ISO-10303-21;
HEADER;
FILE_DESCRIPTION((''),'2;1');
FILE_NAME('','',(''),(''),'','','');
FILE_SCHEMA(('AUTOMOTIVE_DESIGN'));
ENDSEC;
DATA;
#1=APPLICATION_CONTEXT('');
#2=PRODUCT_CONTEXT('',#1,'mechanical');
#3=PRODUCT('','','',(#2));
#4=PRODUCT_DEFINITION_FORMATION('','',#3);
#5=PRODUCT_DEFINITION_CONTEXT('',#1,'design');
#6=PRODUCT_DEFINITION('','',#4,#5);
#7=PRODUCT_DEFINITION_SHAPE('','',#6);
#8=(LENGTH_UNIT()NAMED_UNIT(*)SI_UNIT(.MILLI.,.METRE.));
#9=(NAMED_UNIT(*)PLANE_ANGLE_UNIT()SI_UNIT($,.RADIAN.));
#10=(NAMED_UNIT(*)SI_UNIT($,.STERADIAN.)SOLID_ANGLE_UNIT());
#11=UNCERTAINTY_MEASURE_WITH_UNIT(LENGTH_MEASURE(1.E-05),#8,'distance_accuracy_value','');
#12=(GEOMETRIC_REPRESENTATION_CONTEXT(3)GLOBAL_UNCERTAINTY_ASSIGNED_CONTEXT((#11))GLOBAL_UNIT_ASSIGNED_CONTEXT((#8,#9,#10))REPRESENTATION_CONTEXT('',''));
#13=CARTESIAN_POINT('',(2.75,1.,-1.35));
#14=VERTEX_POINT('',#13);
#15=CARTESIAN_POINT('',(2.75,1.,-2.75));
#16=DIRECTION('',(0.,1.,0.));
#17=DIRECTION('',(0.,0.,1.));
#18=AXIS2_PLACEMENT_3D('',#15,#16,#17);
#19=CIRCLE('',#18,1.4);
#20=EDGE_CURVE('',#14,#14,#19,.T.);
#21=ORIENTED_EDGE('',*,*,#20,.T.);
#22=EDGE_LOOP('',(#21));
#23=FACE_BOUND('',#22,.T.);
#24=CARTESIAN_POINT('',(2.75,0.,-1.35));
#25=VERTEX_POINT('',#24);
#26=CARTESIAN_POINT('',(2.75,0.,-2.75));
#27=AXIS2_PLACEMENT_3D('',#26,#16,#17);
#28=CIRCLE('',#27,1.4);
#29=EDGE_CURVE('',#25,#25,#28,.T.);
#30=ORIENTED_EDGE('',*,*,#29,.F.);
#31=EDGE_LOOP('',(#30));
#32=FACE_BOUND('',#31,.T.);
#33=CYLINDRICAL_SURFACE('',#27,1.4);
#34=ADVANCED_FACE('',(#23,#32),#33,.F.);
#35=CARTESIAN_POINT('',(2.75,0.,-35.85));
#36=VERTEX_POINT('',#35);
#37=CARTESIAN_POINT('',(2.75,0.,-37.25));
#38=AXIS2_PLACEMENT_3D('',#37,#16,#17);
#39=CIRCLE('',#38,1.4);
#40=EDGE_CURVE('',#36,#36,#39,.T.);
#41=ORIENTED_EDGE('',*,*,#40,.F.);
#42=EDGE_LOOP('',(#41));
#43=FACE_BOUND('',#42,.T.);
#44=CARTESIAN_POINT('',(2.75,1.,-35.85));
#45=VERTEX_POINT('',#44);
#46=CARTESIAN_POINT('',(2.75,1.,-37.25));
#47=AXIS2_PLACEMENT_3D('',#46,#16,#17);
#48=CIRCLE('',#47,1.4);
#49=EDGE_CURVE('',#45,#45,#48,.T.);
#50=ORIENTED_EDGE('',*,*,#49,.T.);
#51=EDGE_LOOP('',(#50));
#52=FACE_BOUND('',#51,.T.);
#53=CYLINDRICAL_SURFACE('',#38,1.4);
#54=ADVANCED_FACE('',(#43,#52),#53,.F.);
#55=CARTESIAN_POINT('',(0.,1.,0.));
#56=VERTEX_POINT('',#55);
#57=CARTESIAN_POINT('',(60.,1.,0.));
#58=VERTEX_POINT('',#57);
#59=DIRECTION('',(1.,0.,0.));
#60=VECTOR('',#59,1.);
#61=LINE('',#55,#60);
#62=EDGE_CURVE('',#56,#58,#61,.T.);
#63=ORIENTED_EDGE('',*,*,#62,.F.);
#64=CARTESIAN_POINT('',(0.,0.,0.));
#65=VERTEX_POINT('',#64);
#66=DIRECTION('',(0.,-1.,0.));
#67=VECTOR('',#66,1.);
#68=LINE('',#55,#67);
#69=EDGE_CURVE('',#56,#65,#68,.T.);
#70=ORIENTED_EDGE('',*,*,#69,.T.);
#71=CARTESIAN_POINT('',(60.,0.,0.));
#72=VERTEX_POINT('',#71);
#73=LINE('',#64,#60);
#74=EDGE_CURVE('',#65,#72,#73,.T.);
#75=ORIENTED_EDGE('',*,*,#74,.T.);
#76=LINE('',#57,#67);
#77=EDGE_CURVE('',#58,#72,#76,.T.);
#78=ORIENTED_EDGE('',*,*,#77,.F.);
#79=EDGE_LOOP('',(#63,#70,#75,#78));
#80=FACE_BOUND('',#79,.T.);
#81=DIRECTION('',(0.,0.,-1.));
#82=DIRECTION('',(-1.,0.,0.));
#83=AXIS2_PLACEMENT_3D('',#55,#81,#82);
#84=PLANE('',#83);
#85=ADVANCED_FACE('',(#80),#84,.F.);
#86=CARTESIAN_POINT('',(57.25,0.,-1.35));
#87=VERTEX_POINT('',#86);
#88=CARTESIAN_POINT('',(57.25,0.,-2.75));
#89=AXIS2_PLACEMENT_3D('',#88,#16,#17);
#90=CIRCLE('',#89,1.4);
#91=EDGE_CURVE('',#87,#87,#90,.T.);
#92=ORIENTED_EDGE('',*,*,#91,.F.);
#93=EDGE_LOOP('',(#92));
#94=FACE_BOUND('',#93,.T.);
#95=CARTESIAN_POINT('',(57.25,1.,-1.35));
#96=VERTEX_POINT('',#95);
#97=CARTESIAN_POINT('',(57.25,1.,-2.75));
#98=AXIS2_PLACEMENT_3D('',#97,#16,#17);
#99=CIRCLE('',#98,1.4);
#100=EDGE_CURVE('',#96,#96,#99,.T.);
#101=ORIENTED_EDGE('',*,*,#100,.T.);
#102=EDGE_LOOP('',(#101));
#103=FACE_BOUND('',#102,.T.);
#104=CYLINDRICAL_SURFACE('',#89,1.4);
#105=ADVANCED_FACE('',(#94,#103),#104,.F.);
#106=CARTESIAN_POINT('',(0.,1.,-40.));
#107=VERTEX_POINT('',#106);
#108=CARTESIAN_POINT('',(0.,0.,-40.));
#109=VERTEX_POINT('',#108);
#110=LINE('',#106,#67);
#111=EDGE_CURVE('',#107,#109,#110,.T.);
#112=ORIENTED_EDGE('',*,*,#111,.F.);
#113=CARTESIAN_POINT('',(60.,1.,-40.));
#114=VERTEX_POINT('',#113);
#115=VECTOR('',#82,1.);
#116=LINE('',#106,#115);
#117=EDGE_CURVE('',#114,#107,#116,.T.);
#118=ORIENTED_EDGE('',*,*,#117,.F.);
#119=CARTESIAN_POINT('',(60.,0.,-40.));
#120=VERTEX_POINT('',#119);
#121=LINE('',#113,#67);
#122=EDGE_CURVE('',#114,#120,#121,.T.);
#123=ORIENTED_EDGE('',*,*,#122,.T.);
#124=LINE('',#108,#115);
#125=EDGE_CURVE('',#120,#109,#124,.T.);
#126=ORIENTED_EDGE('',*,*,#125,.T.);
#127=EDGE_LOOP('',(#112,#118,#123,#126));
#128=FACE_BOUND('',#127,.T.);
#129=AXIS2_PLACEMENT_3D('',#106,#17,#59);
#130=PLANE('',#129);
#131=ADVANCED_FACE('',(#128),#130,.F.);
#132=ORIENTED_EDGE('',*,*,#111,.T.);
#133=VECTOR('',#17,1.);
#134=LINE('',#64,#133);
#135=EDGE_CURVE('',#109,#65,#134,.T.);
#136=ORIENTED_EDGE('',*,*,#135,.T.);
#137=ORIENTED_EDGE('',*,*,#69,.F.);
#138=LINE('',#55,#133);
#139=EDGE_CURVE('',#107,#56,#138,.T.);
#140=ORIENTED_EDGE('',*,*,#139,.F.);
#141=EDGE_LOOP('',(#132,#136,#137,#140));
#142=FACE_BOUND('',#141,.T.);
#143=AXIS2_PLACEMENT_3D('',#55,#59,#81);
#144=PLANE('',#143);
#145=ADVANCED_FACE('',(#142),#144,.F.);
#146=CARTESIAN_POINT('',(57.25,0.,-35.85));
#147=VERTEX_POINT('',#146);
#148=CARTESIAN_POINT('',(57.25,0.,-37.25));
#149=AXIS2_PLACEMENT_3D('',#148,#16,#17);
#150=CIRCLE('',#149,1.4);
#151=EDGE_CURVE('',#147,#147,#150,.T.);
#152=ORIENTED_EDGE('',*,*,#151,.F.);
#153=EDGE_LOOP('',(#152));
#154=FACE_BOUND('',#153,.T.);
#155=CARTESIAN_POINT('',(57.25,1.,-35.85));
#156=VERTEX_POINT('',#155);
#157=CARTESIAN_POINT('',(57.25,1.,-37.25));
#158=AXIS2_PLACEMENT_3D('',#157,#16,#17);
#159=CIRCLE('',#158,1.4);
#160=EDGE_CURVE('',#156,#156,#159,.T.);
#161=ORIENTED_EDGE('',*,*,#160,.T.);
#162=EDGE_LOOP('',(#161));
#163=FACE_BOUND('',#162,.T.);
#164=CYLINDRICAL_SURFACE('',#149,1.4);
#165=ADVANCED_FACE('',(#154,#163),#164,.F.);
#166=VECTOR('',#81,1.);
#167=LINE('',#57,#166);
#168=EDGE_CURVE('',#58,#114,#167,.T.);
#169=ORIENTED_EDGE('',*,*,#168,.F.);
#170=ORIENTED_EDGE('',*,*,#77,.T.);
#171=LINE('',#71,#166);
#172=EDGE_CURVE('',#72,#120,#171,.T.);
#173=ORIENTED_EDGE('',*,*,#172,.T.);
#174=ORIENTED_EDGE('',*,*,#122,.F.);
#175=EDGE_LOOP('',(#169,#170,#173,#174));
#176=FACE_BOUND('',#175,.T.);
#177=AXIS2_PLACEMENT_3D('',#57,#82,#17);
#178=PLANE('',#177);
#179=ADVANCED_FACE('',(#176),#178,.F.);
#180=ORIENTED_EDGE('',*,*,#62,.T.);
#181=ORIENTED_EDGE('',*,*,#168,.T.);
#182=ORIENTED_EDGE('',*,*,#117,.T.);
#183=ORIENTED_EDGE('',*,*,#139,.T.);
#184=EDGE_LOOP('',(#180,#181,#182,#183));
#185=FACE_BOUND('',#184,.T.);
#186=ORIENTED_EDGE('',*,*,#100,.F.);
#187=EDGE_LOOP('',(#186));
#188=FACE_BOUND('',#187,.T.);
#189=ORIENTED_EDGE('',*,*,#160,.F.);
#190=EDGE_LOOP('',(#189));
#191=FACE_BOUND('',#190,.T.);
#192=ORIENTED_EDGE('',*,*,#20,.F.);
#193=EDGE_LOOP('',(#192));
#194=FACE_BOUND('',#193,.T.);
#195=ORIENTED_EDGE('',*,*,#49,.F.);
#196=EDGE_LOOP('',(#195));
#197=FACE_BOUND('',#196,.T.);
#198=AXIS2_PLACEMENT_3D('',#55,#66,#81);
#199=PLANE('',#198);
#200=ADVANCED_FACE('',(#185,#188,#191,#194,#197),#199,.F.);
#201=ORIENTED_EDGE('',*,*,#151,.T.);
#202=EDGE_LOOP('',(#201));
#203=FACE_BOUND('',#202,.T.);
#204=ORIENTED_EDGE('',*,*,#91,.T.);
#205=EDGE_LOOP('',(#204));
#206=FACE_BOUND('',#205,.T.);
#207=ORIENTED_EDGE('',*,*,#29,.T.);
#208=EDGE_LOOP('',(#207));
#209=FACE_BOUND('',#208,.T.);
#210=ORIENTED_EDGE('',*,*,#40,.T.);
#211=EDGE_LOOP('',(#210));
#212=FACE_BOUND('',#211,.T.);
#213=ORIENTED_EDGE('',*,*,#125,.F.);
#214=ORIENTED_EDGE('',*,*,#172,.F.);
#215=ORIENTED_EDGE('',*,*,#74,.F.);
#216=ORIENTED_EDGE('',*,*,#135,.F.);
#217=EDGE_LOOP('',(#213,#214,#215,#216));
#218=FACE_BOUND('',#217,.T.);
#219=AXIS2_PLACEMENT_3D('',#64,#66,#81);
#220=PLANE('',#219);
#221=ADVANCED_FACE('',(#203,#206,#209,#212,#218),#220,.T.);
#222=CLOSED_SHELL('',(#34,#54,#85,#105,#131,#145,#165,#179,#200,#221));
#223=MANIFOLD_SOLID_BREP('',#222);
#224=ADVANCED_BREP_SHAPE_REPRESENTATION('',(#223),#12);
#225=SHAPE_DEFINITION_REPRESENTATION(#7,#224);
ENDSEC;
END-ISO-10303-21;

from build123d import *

# Parameters (mm, degrees)
SKETCH1_W           = 60
SKETCH1_H           = 40
BOSS_EXTRUDE1_DEPTH = 1
SKETCH2_R           = 1.4
CUT_EXTRUDE1_DEPTH  = 73.117958928


with BuildPart() as part:
    # Sketch1 → Boss-Extrude1 (new body)
    with BuildSketch(Plane(origin=(0, 0, 0), x_dir=(1, 0, 0), z_dir=(0, 1, 0))):
        with Locations((30, 20)):
            Rectangle(SKETCH1_W, SKETCH1_H)
    extrude(amount=BOSS_EXTRUDE1_DEPTH)

    # Sketch2 → Cut-Extrude1 (cut, through all)
    with BuildSketch(Plane(origin=(0, 1, 0), x_dir=(1, 0, 0), z_dir=(0, 1, 0))):
        with Locations(Location((2.75, 37.25, 0), (0, 0, 270))):
            Circle(SKETCH2_R)
        with Locations(Location((57.25, 37.25, 0), (0, 0, 270))):
            Circle(SKETCH2_R)
        with Locations(Location((57.25, 2.75, 0), (0, 0, 270))):
            Circle(SKETCH2_R)
        with Locations(Location((2.75, 2.75, 0), (0, 0, 270))):
            Circle(SKETCH2_R)
    extrude(amount=-CUT_EXTRUDE1_DEPTH, mode=Mode.SUBTRACT)


solid = part.part
